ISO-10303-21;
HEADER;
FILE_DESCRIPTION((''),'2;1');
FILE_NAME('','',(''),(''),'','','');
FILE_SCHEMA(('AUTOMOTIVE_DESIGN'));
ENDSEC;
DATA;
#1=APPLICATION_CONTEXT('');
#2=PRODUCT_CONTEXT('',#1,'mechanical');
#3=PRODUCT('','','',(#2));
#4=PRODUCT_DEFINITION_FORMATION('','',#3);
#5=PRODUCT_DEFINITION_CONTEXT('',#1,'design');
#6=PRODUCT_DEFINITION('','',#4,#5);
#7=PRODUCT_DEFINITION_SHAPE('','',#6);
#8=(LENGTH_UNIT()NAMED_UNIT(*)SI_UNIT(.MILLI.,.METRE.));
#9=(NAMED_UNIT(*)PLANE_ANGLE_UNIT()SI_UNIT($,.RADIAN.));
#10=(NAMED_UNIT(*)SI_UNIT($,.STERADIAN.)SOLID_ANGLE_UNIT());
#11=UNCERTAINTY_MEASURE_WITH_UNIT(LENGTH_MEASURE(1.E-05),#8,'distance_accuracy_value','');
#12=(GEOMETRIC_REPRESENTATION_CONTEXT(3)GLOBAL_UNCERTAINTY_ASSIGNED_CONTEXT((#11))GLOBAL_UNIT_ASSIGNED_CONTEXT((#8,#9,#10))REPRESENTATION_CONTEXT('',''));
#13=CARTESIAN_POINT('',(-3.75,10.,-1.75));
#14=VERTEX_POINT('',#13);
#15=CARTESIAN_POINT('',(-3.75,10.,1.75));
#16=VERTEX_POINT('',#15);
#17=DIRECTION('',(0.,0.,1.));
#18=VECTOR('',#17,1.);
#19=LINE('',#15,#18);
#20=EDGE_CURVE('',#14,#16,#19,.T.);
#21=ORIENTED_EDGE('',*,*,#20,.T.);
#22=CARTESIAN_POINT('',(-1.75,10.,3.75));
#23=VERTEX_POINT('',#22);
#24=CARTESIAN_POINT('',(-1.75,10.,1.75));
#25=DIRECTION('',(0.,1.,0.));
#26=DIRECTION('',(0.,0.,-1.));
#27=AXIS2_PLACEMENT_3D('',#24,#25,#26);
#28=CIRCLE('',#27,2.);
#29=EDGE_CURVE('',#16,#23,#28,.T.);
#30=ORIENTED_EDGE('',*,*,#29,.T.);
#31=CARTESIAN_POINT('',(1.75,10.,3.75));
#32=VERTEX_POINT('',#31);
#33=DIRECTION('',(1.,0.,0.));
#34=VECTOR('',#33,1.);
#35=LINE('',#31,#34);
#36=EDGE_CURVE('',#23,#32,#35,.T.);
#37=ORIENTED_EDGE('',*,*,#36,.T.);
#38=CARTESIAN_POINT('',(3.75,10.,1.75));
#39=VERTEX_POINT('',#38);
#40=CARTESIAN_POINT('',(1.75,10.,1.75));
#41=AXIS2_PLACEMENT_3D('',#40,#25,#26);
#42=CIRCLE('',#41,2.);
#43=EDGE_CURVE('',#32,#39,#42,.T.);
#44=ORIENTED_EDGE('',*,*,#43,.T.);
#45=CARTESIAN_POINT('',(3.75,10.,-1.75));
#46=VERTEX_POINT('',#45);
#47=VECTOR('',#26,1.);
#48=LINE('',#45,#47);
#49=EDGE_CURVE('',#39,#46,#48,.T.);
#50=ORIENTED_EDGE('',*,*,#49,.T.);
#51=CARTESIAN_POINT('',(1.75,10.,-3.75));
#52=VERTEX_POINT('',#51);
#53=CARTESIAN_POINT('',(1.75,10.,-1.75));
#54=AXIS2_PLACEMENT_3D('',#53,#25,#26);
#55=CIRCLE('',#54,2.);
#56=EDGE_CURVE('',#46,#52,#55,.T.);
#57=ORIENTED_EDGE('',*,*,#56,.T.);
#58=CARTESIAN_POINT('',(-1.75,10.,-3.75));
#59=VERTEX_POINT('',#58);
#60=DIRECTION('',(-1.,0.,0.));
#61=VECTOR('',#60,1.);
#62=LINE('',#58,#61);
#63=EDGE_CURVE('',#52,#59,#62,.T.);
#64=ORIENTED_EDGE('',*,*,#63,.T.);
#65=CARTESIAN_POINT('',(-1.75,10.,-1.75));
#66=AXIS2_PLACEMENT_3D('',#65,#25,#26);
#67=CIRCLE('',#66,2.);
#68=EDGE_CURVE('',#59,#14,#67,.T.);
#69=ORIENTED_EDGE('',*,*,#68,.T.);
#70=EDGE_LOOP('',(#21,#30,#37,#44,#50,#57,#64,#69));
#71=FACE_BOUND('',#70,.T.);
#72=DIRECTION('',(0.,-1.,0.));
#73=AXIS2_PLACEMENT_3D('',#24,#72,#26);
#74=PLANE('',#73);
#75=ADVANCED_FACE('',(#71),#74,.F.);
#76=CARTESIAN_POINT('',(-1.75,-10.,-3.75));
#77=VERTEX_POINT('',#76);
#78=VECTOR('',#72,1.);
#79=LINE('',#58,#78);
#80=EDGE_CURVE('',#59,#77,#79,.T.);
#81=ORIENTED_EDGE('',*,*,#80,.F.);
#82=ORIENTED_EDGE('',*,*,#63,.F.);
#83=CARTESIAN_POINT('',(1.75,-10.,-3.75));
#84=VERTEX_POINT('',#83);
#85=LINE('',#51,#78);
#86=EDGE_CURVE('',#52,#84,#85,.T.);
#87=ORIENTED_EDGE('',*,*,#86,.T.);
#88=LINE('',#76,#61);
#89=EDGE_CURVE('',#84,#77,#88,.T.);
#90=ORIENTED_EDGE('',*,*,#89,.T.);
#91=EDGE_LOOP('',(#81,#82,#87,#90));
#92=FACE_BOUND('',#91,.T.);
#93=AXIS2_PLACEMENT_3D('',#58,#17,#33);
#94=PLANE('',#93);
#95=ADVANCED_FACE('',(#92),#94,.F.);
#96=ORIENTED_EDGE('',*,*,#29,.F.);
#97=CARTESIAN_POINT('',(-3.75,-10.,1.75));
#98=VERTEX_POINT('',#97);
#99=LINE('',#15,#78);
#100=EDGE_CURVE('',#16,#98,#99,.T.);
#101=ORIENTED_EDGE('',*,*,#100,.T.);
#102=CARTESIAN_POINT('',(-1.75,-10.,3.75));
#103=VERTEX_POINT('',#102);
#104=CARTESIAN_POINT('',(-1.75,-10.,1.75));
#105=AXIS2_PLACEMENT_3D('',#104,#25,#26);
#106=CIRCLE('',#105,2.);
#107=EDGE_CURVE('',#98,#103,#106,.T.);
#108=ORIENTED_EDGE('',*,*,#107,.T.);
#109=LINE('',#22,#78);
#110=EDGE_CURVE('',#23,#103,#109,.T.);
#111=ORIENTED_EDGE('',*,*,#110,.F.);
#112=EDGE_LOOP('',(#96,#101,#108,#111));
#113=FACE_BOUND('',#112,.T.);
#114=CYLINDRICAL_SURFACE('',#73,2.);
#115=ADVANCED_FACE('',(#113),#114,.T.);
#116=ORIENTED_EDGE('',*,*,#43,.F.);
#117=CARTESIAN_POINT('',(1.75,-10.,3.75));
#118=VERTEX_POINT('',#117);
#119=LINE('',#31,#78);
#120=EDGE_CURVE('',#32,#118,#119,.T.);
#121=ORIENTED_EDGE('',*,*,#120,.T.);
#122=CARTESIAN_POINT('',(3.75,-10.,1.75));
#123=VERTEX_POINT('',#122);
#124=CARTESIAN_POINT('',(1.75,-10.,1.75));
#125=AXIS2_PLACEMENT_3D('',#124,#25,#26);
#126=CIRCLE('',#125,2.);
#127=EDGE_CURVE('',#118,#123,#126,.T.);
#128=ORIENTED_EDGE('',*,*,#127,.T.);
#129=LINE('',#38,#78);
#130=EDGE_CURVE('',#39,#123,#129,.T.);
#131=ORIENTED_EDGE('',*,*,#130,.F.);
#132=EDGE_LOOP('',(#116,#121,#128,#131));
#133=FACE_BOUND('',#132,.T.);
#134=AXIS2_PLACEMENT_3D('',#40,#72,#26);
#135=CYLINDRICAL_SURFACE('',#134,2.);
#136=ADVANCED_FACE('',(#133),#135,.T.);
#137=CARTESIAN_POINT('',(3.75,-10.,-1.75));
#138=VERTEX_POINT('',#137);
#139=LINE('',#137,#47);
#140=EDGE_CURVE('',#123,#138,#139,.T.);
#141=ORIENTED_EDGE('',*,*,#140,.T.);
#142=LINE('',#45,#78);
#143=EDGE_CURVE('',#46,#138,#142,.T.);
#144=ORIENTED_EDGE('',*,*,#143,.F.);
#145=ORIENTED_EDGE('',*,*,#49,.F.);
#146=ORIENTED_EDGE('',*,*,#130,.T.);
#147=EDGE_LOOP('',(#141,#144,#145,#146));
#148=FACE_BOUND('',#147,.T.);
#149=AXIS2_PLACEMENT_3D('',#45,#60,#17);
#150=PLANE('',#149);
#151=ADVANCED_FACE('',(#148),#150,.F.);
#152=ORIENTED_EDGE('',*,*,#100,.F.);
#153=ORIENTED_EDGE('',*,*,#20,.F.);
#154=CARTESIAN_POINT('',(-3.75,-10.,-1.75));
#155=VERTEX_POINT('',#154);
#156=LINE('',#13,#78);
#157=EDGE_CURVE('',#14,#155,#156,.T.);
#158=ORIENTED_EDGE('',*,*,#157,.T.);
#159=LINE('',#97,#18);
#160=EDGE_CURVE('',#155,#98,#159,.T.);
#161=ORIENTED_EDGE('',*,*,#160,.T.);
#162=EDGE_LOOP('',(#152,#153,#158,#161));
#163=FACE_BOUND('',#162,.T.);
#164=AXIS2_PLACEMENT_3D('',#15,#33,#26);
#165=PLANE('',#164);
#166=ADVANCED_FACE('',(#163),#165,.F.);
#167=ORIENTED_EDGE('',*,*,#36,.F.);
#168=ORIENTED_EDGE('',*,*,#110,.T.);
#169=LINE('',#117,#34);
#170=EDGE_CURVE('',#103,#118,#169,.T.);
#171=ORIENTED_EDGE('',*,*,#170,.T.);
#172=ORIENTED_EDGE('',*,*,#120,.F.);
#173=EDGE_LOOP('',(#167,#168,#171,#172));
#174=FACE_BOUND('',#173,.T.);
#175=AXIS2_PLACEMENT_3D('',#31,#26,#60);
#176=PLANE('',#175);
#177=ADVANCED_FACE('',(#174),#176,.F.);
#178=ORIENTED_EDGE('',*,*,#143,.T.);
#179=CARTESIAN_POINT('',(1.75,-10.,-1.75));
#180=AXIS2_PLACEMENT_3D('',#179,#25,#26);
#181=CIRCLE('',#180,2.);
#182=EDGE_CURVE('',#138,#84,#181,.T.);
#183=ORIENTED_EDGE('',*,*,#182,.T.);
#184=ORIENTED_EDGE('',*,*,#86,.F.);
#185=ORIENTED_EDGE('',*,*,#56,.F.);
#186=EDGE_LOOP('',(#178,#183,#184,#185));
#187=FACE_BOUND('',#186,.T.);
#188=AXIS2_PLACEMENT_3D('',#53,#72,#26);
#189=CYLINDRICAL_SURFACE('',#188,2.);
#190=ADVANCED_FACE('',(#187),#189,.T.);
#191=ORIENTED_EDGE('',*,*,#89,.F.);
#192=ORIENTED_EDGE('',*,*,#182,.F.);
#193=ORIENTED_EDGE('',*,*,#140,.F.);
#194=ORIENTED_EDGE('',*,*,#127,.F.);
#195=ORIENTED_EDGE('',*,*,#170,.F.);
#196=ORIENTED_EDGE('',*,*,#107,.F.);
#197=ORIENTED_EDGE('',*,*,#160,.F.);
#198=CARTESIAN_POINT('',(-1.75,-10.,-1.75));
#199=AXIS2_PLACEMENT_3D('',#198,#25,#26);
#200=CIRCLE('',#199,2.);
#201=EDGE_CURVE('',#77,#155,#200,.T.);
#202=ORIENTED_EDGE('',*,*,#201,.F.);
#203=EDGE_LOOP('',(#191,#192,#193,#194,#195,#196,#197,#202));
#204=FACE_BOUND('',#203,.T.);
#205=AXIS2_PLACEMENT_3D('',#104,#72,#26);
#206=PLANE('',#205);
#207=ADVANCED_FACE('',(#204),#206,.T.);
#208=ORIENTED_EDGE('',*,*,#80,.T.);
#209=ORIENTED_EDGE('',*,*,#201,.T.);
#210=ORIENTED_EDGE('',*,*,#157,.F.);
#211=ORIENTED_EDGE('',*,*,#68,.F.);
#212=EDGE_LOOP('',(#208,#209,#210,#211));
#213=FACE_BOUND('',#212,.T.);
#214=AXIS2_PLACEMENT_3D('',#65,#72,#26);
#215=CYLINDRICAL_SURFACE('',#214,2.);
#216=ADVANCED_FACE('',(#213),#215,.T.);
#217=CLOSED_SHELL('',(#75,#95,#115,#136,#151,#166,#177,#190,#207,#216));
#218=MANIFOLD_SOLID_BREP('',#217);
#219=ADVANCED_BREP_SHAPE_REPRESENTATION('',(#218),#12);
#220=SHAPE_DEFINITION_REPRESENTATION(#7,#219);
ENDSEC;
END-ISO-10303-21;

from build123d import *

# Parameters (mm, degrees)
BOSS_EXTRUDE1_DEPTH = 10


with BuildPart() as part:
    # Sketch1 → Boss-Extrude1 (new, symmetric)
    with BuildSketch(Plane(origin=(0, 0, 0), x_dir=(1, 0, 0), z_dir=(0, 1, 0))):
        with BuildLine():
            Line((-3.75, -1.75), (-3.75, 1.75))
            ThreePointArc((-3.75, 1.75), (-3.164213562, 3.164213562), (-1.75, 3.75))
            Line((-1.75, 3.75), (1.75, 3.75))
            ThreePointArc((1.75, 3.75), (3.164213562, 3.164213562), (3.75, 1.75))
            Line((3.75, 1.75), (3.75, -1.75))
            ThreePointArc((3.75, -1.75), (3.164213562, -3.164213562), (1.75, -3.75))
            Line((1.75, -3.75), (-1.75, -3.75))
            ThreePointArc((-1.75, -3.75), (-3.164213562, -3.164213562), (-3.75, -1.75))
        make_face()
    extrude(amount=BOSS_EXTRUDE1_DEPTH, both=True)


solid = part.part
